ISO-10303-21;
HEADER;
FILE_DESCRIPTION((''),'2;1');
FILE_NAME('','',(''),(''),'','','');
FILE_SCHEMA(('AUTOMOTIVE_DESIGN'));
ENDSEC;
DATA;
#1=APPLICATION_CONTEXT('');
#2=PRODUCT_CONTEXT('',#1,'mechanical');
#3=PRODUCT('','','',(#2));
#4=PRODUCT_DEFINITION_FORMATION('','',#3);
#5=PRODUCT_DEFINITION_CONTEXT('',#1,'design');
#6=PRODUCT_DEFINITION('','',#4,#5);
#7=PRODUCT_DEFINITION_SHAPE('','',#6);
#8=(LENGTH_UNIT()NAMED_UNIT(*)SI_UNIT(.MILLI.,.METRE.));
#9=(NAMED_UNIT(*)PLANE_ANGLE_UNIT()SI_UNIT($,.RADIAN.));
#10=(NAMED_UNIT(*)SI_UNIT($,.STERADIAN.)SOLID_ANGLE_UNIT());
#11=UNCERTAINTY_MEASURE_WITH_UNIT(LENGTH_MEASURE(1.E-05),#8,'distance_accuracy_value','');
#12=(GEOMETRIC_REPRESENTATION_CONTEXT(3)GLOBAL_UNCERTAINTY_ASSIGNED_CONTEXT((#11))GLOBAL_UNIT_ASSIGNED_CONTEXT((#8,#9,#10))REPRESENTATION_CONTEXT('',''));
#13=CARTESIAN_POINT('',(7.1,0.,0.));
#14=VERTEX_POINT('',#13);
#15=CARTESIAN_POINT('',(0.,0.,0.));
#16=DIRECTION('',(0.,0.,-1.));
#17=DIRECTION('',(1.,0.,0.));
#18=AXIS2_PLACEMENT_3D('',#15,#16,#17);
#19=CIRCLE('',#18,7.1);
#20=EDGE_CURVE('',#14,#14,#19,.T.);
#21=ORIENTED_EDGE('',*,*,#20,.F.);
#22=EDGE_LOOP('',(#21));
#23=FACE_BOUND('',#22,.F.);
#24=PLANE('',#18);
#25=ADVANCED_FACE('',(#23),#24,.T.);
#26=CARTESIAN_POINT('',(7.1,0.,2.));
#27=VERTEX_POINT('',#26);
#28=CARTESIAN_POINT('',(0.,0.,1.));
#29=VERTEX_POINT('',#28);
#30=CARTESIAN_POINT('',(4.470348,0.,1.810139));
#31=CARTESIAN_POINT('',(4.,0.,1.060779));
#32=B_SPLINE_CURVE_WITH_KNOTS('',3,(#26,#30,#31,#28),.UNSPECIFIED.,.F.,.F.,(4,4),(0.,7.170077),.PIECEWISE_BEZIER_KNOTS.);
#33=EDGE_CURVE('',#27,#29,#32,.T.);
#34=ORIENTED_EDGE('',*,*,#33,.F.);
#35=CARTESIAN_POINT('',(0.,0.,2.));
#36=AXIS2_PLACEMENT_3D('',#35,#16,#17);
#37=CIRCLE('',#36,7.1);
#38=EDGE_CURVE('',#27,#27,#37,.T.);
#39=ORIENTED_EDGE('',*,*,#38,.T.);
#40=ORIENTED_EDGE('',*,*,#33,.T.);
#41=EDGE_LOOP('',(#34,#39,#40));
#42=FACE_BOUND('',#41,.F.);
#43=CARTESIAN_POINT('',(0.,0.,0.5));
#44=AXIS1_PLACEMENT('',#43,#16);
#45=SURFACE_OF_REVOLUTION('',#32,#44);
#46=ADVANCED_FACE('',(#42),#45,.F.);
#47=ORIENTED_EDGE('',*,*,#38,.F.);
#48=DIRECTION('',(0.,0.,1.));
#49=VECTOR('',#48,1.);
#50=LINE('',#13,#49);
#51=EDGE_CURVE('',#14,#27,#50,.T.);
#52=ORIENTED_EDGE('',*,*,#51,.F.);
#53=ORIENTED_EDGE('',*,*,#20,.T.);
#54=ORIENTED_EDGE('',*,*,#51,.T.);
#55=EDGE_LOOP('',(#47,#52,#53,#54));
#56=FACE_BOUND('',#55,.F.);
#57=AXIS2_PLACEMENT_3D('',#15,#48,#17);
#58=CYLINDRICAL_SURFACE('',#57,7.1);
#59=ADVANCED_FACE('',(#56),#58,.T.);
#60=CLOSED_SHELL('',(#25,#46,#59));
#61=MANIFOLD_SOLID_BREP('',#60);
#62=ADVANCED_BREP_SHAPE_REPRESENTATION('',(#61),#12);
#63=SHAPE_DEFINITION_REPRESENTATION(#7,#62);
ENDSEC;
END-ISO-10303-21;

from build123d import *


with BuildPart() as f1:
    # F0 (on Front) → F1 (revolve)
    with BuildSketch(Plane.XZ):
        with BuildLine():
            Line((0, 1), (0, 0))
            Line((0, 0), (7.1, 0))
            Line((7.1, 0), (7.1, 2))
            add(Edge.make_bspline(
                [(7.1, 2), (4.470348, 1.810139), (4, 1.060779), (0, 1)],
                knots=[0, 0, 0, 0, 7.170077, 7.170077, 7.170077, 7.170077], degree=3))
        make_face()
    revolve(axis=Axis((0, 0, 0.5), (0, 0, -1)))


solid = f1.part
